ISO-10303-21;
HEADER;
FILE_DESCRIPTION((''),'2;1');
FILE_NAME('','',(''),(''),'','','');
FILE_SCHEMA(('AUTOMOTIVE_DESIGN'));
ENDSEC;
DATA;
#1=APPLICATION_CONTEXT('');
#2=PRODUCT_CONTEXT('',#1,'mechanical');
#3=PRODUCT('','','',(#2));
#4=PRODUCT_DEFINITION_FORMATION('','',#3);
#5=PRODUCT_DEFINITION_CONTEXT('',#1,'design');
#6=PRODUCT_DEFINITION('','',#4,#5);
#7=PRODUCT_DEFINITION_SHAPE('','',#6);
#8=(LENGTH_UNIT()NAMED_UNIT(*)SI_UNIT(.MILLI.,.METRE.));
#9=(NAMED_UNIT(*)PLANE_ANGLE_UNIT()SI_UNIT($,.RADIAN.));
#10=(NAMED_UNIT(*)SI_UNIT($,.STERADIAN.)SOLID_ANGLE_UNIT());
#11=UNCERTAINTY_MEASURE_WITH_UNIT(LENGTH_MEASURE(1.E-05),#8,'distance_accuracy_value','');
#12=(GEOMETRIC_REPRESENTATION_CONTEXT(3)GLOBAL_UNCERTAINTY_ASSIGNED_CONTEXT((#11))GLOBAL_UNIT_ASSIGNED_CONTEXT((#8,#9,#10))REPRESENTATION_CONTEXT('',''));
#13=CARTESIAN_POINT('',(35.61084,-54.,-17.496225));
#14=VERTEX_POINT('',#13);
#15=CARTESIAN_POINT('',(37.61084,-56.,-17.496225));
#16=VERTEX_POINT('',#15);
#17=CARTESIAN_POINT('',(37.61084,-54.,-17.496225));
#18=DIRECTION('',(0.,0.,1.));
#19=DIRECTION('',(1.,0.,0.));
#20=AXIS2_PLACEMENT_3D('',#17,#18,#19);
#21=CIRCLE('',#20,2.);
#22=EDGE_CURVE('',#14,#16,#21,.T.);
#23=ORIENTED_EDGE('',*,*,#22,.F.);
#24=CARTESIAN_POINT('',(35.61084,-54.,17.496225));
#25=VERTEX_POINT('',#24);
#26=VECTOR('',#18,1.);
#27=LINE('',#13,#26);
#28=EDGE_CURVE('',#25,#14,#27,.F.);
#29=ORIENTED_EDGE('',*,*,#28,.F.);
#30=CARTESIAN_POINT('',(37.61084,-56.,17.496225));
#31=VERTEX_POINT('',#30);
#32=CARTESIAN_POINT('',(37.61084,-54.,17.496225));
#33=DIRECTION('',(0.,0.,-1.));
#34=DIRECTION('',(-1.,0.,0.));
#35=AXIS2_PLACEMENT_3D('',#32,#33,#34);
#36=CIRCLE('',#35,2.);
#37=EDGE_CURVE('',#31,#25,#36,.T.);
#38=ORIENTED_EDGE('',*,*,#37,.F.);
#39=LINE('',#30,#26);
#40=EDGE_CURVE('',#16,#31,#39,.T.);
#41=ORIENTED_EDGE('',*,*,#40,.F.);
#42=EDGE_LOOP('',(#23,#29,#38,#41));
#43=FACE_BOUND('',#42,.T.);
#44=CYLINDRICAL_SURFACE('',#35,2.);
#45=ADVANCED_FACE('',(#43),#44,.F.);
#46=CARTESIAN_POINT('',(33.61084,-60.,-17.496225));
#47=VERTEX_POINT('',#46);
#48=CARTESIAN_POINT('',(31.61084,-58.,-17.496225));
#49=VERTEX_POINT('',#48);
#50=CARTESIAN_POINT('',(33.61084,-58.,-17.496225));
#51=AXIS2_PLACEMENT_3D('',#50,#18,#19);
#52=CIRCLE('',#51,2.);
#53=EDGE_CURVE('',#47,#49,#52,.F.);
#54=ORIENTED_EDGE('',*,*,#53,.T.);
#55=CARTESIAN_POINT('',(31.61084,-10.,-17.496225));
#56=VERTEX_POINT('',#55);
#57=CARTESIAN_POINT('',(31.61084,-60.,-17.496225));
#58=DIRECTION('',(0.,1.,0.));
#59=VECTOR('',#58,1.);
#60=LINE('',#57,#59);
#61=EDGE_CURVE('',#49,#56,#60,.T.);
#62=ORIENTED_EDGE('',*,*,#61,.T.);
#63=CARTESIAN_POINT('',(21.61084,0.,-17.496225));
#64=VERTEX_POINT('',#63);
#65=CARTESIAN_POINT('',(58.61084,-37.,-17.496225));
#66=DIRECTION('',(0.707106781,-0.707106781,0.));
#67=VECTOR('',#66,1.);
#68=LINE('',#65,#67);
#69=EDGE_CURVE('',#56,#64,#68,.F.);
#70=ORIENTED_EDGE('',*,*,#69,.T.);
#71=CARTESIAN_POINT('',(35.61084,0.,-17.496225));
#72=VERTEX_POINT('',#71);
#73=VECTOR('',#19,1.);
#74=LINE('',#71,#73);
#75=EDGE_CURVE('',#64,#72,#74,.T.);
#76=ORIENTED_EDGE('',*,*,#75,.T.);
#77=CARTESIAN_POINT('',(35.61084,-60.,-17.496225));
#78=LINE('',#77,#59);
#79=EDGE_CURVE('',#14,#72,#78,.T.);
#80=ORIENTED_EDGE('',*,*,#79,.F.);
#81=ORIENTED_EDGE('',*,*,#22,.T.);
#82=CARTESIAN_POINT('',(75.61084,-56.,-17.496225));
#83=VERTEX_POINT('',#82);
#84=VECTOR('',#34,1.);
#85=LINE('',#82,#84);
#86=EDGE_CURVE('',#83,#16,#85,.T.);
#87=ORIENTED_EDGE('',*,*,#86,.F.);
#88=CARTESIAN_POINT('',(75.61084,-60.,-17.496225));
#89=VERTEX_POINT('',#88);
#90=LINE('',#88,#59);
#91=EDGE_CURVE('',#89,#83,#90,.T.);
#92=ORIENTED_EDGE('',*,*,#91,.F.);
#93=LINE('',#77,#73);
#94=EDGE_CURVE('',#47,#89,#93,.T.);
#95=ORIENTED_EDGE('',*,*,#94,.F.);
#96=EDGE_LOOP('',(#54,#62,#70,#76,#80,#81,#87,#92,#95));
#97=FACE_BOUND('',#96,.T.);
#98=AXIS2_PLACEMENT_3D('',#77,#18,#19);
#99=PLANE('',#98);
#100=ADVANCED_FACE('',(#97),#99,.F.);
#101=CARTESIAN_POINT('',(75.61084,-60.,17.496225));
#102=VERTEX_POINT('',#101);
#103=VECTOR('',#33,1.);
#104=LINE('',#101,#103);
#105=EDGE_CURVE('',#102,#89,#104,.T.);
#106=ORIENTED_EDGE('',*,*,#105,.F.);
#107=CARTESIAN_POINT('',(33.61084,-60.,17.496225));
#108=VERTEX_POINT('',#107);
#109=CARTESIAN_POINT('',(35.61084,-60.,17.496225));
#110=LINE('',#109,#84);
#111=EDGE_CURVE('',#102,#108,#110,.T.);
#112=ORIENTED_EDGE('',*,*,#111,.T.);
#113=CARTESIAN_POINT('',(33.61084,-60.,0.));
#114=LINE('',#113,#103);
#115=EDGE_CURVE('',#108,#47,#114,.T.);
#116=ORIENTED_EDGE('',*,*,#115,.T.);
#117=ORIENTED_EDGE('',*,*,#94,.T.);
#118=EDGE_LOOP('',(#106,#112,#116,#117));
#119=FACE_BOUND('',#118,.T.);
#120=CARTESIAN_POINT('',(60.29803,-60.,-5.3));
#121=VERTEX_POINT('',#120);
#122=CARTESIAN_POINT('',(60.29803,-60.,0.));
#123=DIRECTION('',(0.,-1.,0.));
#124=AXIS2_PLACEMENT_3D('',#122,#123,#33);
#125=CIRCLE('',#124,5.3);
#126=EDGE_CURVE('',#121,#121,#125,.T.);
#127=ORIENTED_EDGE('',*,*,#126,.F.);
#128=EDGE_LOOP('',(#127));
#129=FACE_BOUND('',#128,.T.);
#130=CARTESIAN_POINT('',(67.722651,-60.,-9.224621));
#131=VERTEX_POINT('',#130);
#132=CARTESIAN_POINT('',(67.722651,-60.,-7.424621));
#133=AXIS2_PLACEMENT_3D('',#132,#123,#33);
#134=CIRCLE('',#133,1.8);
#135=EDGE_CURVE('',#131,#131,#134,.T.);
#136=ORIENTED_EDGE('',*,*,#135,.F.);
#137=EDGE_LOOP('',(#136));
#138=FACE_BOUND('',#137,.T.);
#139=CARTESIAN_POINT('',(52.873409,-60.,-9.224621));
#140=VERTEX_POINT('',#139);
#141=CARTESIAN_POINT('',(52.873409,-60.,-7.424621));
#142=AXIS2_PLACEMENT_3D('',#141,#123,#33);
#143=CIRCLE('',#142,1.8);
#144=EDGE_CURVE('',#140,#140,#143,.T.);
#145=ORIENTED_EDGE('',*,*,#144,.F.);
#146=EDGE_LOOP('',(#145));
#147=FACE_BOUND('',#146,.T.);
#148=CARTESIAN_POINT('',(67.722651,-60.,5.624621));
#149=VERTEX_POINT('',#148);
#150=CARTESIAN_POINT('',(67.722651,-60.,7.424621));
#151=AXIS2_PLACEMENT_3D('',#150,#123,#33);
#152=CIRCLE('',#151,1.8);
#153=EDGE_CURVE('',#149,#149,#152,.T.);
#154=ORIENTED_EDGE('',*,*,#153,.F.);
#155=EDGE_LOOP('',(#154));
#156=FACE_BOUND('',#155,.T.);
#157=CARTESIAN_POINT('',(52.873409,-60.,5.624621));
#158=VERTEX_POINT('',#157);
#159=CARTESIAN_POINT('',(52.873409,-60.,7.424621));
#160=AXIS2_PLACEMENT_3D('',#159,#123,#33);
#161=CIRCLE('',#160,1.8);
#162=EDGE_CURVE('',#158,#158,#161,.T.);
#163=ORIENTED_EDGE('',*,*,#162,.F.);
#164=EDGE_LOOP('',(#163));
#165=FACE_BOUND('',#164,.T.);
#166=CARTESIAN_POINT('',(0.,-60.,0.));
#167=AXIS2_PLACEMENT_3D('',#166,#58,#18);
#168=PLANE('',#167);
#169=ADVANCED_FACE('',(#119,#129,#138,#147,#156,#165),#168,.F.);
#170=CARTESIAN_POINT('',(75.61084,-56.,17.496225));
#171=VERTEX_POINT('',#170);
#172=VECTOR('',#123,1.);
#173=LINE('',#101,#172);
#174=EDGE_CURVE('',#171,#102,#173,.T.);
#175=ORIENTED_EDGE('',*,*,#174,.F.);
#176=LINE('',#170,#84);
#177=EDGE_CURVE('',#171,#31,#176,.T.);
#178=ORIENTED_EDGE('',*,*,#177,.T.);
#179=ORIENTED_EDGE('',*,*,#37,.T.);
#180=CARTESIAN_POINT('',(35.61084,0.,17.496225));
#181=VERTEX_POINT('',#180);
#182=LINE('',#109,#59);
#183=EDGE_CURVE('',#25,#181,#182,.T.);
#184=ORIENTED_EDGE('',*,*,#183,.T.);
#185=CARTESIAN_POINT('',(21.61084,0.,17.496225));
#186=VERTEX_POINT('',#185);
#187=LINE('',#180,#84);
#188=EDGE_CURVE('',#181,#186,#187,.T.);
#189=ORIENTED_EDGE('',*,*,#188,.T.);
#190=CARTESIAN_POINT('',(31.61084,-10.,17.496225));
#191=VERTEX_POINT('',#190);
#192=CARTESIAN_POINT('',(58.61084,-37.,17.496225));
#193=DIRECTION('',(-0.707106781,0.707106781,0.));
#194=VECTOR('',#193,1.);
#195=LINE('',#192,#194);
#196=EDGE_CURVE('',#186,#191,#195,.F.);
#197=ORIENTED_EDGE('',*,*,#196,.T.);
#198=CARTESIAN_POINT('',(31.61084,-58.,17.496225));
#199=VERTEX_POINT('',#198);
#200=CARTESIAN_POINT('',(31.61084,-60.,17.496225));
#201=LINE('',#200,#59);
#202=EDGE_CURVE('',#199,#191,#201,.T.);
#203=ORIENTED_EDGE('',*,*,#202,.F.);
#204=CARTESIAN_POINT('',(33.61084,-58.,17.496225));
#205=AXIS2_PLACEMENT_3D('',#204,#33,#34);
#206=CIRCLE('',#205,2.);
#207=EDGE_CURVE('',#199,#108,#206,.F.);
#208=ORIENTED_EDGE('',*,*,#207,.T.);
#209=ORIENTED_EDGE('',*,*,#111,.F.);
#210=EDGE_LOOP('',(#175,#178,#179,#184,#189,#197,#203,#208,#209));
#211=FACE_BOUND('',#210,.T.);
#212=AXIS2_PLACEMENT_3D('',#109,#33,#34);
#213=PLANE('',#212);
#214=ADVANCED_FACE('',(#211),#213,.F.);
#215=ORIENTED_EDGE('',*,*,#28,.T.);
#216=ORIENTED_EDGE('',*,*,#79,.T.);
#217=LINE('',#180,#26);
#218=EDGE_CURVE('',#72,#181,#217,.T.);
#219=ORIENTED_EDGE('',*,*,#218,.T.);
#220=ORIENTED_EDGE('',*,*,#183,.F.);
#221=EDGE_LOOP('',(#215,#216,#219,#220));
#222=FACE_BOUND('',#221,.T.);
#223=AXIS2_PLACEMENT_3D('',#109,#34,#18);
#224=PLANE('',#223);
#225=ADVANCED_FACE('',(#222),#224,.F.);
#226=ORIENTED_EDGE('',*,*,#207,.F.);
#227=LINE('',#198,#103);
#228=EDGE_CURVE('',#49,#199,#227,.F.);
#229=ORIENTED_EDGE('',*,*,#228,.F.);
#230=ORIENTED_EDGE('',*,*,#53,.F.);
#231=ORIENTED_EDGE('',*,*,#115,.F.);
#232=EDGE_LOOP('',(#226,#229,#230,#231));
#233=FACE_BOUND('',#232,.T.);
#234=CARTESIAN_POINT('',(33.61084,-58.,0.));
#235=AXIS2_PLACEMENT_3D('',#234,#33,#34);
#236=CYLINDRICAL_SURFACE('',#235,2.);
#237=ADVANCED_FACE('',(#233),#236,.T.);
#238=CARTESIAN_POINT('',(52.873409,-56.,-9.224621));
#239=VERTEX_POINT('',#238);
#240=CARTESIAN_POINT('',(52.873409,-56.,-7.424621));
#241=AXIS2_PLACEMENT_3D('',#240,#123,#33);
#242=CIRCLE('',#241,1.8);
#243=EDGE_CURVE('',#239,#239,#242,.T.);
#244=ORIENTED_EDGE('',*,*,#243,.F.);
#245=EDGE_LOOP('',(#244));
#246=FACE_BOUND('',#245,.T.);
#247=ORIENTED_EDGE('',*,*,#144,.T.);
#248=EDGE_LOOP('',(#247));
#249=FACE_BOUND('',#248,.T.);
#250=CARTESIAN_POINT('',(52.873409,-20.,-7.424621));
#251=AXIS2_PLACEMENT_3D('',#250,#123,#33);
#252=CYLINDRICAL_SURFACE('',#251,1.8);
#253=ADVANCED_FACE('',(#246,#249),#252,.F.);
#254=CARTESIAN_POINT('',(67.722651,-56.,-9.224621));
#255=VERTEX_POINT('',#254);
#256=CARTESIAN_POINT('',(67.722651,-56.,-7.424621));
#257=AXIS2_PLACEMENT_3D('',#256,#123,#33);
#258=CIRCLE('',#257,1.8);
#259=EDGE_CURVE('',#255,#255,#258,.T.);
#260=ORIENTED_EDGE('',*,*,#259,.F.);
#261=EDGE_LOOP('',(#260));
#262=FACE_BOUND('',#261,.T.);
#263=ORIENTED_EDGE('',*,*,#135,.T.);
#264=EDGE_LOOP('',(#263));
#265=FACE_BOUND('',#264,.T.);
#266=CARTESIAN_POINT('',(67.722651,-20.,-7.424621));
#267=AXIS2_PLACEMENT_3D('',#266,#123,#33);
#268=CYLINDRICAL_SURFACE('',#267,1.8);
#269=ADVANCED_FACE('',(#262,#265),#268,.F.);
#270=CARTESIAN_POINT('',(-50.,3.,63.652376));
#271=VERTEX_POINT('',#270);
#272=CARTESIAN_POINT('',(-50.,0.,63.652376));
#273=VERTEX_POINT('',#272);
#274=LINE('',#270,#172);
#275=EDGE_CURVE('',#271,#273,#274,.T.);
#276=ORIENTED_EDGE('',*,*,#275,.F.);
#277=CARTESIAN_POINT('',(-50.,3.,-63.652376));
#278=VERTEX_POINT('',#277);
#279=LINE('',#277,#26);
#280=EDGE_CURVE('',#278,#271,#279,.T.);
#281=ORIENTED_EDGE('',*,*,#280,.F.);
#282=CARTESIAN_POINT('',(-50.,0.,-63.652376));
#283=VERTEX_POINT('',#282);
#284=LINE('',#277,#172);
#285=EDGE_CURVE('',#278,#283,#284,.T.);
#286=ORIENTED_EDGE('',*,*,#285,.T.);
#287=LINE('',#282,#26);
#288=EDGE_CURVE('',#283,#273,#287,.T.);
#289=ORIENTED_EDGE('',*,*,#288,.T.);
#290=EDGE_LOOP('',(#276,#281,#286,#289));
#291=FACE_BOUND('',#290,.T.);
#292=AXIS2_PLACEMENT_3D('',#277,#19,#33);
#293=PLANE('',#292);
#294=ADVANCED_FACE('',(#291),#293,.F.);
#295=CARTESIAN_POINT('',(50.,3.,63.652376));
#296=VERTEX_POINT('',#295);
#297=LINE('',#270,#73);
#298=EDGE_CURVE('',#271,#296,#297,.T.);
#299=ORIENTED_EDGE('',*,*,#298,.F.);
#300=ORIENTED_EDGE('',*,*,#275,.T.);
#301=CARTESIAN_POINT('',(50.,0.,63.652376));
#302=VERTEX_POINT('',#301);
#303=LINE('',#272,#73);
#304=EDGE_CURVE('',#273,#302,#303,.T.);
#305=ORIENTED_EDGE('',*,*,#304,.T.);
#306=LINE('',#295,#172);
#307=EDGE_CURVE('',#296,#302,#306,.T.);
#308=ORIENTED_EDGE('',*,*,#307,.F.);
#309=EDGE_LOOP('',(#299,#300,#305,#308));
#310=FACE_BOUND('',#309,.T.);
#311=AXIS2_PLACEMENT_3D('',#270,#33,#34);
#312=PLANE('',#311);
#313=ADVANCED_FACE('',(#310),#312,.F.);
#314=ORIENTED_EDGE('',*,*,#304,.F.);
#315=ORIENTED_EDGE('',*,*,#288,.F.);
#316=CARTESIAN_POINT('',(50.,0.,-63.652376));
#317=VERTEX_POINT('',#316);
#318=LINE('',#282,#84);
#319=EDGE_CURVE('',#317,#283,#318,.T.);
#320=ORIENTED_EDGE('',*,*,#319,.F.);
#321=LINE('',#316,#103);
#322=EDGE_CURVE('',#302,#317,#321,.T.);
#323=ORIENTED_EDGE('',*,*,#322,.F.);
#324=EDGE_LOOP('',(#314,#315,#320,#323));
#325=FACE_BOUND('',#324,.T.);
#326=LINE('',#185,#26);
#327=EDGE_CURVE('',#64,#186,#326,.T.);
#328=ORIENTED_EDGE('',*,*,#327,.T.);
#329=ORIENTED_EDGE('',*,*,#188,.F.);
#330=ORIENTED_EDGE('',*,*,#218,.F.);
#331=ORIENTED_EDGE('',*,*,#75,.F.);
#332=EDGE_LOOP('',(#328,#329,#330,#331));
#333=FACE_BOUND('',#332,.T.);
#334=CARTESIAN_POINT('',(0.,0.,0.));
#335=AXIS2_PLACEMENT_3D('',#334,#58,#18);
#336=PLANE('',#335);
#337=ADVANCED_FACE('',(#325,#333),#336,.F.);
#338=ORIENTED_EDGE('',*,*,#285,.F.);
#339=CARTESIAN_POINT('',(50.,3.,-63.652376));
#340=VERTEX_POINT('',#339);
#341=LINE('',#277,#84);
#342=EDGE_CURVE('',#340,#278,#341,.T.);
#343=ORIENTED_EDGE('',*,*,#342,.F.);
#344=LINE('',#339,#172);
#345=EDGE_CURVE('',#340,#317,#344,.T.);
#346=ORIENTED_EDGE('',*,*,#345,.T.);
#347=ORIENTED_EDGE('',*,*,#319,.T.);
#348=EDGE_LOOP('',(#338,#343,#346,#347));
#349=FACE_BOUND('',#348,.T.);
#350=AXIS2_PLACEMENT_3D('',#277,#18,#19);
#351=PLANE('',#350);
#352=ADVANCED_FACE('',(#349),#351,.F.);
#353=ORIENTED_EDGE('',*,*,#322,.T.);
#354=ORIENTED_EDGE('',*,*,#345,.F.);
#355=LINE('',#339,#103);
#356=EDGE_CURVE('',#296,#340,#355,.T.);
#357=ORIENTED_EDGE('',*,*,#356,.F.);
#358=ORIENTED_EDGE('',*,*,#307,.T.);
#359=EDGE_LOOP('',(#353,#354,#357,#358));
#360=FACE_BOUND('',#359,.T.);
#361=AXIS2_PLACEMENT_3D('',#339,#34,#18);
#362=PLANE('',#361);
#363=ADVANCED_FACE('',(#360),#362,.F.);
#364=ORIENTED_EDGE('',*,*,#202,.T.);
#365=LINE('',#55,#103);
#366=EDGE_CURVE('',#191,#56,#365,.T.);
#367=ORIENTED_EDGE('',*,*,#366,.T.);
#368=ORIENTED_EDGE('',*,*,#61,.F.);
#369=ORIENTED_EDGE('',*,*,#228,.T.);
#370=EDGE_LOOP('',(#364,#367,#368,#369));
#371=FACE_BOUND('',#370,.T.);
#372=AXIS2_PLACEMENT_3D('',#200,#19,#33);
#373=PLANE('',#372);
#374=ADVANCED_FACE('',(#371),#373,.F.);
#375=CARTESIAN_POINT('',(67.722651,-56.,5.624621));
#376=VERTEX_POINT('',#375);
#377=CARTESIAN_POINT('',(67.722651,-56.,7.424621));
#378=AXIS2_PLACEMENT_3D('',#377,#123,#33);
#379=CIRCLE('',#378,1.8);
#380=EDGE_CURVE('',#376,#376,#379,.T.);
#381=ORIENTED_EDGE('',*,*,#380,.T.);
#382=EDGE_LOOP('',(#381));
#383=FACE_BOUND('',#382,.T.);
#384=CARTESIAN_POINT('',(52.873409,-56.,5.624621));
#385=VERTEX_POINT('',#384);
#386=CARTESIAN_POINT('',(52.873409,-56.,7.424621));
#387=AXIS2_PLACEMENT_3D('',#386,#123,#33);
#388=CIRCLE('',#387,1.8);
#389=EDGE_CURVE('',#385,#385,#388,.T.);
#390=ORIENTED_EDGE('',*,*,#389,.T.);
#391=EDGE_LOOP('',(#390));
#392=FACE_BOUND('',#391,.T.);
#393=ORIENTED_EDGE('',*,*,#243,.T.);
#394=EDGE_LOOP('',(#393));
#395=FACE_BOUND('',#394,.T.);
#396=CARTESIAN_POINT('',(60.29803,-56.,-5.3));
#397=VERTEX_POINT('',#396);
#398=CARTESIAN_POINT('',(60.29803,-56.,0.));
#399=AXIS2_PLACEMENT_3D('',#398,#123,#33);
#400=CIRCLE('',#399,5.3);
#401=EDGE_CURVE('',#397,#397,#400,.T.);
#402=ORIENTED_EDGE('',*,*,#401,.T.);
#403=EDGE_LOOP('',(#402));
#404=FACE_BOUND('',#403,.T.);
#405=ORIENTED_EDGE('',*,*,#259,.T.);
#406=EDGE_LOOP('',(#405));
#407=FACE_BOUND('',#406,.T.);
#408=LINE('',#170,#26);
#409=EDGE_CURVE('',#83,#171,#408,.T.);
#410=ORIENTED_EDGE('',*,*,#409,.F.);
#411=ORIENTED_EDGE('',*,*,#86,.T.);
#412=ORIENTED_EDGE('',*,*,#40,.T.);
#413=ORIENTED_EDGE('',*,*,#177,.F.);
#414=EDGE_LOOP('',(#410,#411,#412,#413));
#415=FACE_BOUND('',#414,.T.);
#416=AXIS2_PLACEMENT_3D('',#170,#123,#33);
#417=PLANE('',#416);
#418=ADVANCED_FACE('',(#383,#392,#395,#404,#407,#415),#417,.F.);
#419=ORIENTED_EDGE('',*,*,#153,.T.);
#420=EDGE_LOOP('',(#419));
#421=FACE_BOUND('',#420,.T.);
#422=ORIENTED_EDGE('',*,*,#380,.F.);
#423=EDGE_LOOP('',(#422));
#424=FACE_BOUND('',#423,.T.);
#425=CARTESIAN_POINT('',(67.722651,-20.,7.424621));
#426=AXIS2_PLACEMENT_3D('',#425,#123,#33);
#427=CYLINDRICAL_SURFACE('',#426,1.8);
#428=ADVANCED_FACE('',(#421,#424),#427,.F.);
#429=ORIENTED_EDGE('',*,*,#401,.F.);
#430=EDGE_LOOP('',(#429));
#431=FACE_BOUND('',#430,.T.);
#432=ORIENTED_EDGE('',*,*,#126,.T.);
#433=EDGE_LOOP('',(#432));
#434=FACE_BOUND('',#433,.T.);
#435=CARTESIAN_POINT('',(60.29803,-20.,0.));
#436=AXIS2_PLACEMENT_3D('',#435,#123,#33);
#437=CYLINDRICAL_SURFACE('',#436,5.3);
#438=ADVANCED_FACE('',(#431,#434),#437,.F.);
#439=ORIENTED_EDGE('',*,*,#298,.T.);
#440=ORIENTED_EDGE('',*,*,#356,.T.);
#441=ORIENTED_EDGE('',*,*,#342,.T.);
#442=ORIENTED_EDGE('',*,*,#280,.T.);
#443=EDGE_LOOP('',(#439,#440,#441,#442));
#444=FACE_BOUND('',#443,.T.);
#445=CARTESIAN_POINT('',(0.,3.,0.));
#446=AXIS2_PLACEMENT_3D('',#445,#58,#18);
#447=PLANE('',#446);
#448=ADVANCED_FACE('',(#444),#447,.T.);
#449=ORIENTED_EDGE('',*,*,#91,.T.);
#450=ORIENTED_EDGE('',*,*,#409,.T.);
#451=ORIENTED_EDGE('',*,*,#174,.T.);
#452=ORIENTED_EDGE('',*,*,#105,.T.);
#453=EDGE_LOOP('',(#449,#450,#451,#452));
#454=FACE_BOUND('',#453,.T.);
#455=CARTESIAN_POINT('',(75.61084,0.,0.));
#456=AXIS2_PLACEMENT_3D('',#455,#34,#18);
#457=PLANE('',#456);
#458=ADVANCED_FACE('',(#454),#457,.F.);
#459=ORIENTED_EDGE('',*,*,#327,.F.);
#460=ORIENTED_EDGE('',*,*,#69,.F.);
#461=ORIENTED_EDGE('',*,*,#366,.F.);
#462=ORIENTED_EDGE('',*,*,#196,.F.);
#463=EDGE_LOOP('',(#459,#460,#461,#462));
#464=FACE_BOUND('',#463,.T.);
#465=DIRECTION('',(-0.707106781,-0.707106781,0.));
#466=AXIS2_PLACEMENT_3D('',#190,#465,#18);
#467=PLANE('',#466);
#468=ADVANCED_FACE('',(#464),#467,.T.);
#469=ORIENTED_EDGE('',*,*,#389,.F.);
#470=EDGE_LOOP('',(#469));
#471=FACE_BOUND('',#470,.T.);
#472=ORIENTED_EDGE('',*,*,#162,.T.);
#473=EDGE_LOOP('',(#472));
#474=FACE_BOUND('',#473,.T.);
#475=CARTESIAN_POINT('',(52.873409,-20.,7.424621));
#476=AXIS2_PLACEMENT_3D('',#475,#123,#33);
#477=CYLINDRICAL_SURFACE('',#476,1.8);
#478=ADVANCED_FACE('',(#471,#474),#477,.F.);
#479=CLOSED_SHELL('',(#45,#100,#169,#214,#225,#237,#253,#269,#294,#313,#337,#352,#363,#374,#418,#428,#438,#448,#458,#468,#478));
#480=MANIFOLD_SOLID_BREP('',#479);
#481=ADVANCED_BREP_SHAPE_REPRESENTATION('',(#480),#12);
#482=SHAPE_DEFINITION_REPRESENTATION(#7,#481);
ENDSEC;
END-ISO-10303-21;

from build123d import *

# Parameters (mm, degrees)
CROQUIS1_W              = 100
CROQUIS1_H              = 127.304752994
SALIENTE_EXTRUIR1_DEPTH = 3
CROQUIS2_W              = 4
CROQUIS2_H              = 34.992450208
SALIENTE_EXTRUIR2_DEPTH = 60
CROQUIS4_W              = 34.992450208
CROQUIS4_H              = 4
SALIENTE_EXTRUIR3_DEPTH = 40
CHAFL_N1_SIZE           = 10
REDONDEO1_R             = 2
CROQUIS5_R              = 5.3
CROQUIS5_R_2            = 1.8
CORTAR_EXTRUIR2_DEPTH   = 40


with BuildPart() as part:
    # Croquis1 → Saliente-Extruir1 (new body)
    with BuildSketch(Plane(origin=(0, 0, 0), x_dir=(1, 0, 0), z_dir=(0, 1, 0))):
        Rectangle(CROQUIS1_W, CROQUIS1_H)
    extrude(amount=SALIENTE_EXTRUIR1_DEPTH)

    # Croquis2 → Saliente-Extruir2 (add)
    with BuildSketch(Plane.XZ):
        with Locations((33.610839978, 0)):
            Rectangle(CROQUIS2_W, CROQUIS2_H)
    extrude(amount=SALIENTE_EXTRUIR2_DEPTH)

    # Croquis4 → Saliente-Extruir3 (add)
    with BuildSketch(Plane(origin=(35.610839978, 0, 0), x_dir=(0, 0, -1), z_dir=(1, 0, 0))):
        with Locations((0, -58)):
            Rectangle(CROQUIS4_W, CROQUIS4_H)
    extrude(amount=SALIENTE_EXTRUIR3_DEPTH)

    # Chaflán1
    chafl_n1_edges = [part.edges().sort_by_distance(p)[0] for p in [
        (31.610839978, 0, 0),
    ]]
    chamfer(chafl_n1_edges, length=CHAFL_N1_SIZE)

    # Redondeo1
    redondeo1_edges = [part.edges().sort_by_distance(p)[0] for p in [
        (31.610839978, -60, 0),
        (35.610839978, -56, 0),
    ]]
    fillet(redondeo1_edges, radius=REDONDEO1_R)

    # Croquis5 → Cortar-Extruir2 (cut)
    with BuildSketch(Plane.XZ.offset(60)):
        with Locations((60.298029847, 0)):
            Circle(CROQUIS5_R)
        with Locations((67.72265105, -7.424621202)):
            Circle(CROQUIS5_R_2)
        with Locations((52.873408645, -7.424621202)):
            Circle(CROQUIS5_R_2)
        with Locations((52.873408645, 7.424621202)):
            Circle(CROQUIS5_R_2)
        with Locations((67.72265105, 7.424621202)):
            Circle(CROQUIS5_R_2)
    extrude(amount=-CORTAR_EXTRUIR2_DEPTH, mode=Mode.SUBTRACT)


solid = part.part
